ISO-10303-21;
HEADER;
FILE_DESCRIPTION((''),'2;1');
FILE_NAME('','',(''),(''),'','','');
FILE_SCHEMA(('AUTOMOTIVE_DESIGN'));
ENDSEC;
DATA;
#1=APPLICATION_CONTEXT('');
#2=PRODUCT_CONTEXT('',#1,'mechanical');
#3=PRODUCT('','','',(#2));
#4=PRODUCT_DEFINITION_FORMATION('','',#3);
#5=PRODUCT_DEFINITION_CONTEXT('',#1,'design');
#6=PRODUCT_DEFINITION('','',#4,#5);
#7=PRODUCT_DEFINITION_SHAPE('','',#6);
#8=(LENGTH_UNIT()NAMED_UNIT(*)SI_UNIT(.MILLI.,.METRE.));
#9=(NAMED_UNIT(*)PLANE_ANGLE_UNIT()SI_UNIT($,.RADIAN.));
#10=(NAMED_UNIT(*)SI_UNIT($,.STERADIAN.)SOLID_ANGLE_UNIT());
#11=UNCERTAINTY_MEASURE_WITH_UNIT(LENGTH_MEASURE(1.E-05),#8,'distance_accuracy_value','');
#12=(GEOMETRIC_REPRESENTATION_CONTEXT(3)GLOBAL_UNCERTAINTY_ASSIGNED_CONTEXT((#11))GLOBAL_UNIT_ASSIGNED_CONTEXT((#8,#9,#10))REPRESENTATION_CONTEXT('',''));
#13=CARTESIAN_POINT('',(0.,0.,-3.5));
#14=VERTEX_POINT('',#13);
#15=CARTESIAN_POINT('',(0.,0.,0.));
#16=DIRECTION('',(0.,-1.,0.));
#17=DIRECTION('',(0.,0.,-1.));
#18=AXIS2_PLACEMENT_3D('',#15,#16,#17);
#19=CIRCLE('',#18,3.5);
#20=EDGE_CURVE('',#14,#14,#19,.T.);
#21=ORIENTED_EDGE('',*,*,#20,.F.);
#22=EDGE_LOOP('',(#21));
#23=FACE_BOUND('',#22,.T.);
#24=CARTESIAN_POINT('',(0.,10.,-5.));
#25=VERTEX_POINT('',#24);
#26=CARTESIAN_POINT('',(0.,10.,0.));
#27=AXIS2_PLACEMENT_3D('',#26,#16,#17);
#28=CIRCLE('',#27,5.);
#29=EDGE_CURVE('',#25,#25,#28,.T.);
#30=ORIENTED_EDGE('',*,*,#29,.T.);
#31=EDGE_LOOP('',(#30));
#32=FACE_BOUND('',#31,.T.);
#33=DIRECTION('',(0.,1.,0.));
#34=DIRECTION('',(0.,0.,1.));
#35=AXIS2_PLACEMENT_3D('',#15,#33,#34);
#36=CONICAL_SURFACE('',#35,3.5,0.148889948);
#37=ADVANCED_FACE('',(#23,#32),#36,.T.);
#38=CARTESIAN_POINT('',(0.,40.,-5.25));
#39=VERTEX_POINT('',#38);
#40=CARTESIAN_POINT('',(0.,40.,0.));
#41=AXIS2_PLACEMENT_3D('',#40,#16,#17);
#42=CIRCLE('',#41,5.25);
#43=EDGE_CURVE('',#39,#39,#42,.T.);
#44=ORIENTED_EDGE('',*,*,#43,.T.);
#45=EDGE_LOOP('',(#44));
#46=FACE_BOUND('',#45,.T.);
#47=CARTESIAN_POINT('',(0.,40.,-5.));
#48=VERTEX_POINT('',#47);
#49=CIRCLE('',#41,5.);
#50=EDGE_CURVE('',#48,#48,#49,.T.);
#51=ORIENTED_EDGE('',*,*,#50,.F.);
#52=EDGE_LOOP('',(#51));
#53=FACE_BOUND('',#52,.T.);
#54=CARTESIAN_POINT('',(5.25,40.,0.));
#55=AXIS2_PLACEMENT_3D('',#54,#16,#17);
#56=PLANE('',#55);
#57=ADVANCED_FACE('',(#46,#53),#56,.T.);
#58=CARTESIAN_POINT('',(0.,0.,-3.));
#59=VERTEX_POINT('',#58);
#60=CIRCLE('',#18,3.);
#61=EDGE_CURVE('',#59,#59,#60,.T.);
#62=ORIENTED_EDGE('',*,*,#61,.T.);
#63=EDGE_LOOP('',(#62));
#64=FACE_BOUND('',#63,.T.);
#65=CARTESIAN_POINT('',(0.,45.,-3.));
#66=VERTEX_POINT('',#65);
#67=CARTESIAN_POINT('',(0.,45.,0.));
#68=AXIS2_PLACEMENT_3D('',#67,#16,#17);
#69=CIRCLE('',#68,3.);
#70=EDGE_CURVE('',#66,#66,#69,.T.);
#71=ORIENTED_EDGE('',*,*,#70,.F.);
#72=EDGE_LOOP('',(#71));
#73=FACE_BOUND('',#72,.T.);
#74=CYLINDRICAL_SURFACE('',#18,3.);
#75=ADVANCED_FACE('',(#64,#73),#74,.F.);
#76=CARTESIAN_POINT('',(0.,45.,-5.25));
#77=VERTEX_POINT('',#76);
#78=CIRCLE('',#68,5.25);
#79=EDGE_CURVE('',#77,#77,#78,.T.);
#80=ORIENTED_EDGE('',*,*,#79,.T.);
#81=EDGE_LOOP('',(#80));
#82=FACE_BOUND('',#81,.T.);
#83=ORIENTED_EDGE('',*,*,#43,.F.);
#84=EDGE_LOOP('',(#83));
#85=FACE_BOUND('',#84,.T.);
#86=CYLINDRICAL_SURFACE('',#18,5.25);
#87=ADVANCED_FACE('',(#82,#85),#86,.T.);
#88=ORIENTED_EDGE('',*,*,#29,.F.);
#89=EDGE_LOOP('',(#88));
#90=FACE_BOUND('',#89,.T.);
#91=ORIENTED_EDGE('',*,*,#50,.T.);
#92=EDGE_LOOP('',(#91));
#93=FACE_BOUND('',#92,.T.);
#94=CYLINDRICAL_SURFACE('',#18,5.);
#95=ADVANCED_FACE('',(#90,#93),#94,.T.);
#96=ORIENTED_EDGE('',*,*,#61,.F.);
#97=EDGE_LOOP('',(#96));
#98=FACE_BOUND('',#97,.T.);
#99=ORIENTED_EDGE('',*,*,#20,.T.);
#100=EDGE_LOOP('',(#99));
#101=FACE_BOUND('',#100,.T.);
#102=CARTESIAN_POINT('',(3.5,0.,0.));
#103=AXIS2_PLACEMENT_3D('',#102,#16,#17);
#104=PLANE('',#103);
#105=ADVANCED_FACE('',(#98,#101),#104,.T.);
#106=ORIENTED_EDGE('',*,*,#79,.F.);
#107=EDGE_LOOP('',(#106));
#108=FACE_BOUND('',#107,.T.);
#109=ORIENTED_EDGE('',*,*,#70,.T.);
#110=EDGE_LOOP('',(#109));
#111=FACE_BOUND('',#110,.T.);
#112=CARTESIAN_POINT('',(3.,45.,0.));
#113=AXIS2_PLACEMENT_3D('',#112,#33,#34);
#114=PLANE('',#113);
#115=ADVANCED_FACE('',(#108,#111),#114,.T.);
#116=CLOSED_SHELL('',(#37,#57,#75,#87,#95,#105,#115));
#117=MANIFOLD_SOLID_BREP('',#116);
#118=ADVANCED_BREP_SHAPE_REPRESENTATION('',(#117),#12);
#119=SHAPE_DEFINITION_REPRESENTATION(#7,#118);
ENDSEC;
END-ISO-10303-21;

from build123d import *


with BuildPart() as part:
    # Sketch1 → Revolve1 (revolve)
    with BuildSketch(Plane.XY, mode=Mode.PRIVATE) as revolve1_sk:
        Polygon((3, 0), (3, 45), (5.25, 45), (5.25, 40), (5, 40), (5, 10), (3.5, 0), align=None)
    revolve(revolve1_sk.sketch.rotate(Axis((0, 0, 0), (0, 1, 0)), 90), axis=Axis((0, 0, 0), (0, 1, 0)))


solid = part.part
